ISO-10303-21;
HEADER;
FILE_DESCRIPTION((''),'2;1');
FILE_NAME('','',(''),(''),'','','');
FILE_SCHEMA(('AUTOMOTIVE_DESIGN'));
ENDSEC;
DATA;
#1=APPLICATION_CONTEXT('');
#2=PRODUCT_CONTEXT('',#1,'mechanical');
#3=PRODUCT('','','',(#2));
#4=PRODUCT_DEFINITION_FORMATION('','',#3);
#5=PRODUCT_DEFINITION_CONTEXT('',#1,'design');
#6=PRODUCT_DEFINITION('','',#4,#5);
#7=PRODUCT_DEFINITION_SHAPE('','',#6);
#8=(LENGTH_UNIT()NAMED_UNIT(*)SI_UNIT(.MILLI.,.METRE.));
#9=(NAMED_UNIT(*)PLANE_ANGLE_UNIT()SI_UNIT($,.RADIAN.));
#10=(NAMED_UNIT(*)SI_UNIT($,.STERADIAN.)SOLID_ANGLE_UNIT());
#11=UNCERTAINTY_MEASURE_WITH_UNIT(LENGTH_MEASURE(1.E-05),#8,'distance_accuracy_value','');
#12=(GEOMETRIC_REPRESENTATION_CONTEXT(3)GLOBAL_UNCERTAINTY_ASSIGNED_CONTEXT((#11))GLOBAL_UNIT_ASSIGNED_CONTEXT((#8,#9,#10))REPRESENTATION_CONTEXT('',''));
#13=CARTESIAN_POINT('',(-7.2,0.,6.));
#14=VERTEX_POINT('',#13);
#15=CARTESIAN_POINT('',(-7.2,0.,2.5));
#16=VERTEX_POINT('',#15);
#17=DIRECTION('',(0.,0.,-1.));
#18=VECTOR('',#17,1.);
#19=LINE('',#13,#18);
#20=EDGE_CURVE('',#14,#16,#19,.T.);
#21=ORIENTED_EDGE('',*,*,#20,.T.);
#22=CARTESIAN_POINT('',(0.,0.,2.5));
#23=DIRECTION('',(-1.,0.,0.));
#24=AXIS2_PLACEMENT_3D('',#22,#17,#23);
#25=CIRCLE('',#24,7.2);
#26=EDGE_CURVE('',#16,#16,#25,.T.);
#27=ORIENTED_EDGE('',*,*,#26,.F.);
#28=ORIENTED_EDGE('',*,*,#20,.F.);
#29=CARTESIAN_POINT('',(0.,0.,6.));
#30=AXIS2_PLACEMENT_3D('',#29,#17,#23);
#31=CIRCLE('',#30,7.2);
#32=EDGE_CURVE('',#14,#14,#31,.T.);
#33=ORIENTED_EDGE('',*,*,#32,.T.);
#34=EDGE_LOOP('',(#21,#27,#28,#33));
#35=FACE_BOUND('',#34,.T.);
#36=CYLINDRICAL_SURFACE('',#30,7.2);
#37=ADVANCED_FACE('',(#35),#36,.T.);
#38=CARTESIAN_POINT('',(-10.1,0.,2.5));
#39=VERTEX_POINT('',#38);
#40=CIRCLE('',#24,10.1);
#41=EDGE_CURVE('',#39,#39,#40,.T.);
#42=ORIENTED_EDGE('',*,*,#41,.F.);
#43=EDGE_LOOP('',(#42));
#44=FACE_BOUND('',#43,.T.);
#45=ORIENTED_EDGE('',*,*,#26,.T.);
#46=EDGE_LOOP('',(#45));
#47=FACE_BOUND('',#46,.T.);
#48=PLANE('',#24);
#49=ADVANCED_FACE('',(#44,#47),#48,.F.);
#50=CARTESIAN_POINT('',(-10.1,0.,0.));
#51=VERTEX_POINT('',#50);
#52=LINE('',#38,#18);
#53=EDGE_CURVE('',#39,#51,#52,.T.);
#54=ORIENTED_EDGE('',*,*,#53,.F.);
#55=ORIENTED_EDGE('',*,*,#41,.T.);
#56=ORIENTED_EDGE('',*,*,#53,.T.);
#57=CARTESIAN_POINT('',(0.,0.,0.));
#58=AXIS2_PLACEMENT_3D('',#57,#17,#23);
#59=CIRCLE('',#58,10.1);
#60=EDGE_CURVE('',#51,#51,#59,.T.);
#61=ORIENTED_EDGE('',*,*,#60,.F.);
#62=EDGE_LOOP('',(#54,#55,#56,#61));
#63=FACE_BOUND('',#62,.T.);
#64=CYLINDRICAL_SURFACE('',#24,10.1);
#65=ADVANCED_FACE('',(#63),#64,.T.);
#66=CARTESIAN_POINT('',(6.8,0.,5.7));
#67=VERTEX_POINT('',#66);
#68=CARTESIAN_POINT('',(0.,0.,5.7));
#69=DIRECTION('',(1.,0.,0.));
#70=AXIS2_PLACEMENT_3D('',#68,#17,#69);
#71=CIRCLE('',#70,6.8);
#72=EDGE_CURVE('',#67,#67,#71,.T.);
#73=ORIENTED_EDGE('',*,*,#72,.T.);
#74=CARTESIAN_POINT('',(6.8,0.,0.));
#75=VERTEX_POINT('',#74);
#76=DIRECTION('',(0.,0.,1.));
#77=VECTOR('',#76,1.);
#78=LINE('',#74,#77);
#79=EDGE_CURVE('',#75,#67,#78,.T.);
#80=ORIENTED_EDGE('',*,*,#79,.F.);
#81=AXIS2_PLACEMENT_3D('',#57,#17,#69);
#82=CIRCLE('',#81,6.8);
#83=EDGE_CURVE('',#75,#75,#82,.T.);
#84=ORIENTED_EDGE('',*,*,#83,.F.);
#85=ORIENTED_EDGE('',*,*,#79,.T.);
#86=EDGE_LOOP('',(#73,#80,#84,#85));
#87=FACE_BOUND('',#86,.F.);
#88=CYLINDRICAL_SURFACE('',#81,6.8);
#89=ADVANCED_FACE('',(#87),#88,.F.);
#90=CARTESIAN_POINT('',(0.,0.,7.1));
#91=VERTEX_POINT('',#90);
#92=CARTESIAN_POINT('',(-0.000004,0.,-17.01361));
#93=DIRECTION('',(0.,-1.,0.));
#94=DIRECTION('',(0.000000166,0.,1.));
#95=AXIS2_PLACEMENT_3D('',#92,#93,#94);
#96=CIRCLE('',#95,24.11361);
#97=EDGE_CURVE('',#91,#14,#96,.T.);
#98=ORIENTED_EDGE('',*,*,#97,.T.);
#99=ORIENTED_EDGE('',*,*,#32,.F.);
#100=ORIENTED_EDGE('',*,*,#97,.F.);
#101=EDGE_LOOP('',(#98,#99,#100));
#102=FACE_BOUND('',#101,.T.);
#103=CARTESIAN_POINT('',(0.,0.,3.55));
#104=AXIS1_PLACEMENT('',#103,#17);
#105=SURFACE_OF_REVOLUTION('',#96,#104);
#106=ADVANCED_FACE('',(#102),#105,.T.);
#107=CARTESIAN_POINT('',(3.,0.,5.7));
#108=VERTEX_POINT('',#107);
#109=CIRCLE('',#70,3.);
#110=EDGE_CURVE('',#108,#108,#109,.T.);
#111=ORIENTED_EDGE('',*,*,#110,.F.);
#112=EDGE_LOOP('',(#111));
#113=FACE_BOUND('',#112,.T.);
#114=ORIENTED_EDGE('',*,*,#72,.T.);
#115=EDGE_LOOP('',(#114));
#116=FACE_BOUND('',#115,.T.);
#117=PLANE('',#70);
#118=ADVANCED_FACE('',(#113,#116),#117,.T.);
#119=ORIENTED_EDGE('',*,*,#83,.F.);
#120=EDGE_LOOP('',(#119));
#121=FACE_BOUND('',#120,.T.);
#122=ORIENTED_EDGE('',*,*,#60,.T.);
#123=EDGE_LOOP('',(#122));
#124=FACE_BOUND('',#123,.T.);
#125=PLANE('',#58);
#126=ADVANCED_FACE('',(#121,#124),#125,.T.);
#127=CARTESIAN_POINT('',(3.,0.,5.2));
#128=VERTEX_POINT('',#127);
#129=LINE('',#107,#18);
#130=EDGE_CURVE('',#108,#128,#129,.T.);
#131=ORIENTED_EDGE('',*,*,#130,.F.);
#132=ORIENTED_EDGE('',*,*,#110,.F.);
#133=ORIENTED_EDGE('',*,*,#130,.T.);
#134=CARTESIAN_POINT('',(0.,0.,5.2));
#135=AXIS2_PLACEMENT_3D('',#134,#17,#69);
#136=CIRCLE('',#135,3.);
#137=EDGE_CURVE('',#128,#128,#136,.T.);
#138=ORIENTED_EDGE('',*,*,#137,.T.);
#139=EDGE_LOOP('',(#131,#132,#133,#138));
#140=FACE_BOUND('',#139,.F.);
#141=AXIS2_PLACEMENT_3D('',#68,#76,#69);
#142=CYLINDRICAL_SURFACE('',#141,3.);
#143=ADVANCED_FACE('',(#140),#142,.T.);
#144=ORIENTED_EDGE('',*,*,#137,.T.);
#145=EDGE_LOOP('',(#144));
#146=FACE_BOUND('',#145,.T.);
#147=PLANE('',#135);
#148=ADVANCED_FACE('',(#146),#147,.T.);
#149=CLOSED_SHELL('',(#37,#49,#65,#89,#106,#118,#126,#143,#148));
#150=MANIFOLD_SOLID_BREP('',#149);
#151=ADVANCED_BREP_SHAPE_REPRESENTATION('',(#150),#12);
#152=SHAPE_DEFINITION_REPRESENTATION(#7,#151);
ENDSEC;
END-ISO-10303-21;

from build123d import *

# Parameters (mm, degrees)
F2_R     = 6.8
F3_DEPTH = 5.7
F4_R     = 3
F5_DEPTH = 0.5


with BuildPart() as f1:
    # F0 (on Front) → F1 (revolve)
    with BuildSketch(Plane.XZ):
        with BuildLine():
            Line((-10.1, 0), (0, 0))
            Line((0, 0), (0, 7.1))
            ThreePointArc((0, 7.1), (-3.641772, 6.823414), (-7.2, 6))
            Line((-7.2, 6), (-7.2, 2.5))
            Line((-7.2, 2.5), (-10.1, 2.5))
            Line((-10.1, 2.5), (-10.1, 0))
        make_face()
    revolve(axis=Axis((0, 0, 3.55), (0, 0, -1)))

    # F2 (on face) → F3 (cut)
    with BuildSketch(Plane(origin=(0, 0, 0), x_dir=(1, 0, 0), z_dir=(0, 0, -1))):
        Circle(F2_R)
    extrude(amount=-F3_DEPTH, mode=Mode.SUBTRACT)

    # F4 (on face) → F5 (join)
    with BuildSketch(Plane(origin=(0, 0, 5.7), x_dir=(1, 0, 0), z_dir=(0, 0, -1))):
        Circle(F4_R)
    extrude(amount=F5_DEPTH)


solid = f1.part
